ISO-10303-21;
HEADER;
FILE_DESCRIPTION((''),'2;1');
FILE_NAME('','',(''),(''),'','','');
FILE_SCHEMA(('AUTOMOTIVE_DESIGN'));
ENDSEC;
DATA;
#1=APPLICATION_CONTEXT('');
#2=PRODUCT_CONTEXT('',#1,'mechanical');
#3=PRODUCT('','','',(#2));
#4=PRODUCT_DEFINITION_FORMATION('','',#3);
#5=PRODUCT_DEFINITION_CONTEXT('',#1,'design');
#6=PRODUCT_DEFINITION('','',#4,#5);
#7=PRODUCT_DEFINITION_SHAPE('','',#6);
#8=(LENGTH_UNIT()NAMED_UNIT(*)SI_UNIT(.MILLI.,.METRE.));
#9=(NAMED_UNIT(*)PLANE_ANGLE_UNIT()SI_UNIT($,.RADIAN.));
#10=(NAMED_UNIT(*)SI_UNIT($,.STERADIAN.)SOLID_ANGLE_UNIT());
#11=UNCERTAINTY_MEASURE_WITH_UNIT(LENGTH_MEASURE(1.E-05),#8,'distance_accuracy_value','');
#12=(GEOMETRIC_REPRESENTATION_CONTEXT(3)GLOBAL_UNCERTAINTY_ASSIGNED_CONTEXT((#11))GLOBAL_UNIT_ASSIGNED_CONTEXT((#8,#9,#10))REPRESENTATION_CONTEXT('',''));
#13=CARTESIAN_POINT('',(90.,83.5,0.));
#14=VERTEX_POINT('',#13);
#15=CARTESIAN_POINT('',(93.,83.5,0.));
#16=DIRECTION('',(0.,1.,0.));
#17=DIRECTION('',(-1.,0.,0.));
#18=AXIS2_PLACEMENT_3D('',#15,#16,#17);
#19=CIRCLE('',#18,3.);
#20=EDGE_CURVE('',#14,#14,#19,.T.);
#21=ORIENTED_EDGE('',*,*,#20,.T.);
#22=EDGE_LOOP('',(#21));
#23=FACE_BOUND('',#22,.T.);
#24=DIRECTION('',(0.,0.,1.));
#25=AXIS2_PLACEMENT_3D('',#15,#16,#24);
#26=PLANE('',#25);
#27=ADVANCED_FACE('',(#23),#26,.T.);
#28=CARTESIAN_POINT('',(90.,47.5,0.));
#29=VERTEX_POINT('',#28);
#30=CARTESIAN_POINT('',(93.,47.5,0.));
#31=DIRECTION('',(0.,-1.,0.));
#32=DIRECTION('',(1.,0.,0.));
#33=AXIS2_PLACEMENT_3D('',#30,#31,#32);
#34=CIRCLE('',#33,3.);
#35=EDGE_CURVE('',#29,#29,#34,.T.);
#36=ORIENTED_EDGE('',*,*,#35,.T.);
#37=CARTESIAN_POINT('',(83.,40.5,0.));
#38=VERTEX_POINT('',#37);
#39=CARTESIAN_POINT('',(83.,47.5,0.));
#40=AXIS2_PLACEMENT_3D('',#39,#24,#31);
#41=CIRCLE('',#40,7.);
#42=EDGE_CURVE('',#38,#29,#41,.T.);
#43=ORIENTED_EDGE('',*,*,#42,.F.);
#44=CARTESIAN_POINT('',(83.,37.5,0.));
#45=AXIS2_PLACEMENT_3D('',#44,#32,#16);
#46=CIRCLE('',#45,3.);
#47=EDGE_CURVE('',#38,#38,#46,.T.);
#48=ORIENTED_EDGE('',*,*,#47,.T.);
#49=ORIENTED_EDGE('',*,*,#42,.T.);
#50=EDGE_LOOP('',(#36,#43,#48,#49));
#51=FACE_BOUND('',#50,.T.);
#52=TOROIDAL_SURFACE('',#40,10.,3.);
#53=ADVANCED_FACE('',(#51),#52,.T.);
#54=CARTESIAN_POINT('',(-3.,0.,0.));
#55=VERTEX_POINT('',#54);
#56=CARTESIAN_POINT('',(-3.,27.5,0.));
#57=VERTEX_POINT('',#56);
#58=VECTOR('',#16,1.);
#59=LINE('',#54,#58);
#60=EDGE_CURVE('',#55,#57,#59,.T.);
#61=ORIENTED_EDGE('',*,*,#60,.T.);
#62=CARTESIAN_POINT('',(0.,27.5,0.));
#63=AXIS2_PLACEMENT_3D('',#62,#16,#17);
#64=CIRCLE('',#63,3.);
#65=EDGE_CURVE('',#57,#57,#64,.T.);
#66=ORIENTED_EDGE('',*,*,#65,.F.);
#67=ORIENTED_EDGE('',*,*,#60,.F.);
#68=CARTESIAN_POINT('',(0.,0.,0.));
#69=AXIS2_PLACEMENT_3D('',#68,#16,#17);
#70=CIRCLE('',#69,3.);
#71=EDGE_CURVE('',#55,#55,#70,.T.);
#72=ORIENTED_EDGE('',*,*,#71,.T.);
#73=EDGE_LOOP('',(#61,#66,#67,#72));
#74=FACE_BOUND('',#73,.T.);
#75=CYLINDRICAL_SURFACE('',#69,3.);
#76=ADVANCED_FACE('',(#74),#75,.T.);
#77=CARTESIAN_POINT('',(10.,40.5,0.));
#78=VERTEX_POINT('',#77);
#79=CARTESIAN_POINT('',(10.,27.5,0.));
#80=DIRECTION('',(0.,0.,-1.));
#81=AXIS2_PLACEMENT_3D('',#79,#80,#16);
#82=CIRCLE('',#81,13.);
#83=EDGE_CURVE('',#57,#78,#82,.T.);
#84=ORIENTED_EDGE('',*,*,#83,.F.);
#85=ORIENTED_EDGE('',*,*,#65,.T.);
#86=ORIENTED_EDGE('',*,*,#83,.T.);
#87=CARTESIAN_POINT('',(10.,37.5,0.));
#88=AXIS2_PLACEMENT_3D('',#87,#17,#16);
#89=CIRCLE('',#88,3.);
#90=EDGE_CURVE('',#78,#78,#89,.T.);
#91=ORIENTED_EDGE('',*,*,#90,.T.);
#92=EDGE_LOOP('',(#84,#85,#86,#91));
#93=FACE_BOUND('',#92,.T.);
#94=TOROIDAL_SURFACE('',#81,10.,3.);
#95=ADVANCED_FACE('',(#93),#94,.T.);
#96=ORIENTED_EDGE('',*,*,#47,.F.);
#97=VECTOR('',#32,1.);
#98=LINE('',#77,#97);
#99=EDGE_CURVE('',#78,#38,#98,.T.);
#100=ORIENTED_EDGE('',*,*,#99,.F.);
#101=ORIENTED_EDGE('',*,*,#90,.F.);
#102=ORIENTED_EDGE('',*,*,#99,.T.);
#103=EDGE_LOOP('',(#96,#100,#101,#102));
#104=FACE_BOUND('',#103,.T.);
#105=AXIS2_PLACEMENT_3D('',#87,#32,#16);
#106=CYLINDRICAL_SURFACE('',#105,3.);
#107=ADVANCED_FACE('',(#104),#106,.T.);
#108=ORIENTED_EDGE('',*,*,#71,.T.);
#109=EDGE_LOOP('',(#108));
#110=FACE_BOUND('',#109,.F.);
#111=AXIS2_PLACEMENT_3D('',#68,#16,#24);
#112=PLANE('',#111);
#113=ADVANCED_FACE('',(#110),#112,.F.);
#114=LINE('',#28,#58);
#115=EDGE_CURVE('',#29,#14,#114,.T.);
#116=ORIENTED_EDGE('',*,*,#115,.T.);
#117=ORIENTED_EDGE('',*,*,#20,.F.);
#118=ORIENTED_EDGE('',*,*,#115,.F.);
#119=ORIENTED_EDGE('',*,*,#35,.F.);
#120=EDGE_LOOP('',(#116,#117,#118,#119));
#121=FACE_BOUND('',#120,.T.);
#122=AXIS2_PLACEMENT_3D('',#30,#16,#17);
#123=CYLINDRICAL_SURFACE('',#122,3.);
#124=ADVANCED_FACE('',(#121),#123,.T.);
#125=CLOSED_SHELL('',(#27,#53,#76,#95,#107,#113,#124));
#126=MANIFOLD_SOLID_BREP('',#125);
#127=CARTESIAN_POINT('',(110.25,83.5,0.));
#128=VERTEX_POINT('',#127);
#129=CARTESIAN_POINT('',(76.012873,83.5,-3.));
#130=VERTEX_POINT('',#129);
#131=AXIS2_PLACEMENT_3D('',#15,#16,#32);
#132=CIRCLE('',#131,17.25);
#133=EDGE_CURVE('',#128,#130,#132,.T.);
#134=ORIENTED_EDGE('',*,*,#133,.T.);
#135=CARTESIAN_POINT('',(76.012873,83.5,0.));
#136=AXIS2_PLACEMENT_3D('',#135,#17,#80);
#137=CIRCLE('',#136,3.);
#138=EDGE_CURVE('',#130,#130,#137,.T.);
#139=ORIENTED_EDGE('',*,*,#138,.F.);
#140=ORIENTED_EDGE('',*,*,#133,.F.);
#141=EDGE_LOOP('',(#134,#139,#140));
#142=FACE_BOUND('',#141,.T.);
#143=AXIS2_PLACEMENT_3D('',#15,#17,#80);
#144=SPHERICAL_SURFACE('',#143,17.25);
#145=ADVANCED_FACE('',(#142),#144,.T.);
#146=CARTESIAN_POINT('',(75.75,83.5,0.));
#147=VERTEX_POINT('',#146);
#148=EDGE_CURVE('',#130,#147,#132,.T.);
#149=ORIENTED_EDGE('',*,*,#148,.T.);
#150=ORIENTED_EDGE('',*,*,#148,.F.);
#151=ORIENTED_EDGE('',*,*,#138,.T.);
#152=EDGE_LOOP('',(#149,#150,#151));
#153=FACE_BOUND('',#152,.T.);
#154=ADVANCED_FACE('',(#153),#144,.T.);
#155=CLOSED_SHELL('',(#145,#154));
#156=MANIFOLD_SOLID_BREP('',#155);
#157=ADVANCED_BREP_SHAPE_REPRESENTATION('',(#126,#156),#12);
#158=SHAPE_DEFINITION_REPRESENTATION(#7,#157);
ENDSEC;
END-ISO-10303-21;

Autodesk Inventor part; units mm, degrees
ref_plane "YZ Plane" through (0, 0, 0) normal (1, 0, 0) x (0, 1, 0)
ref_plane "XZ Plane" through (0, 0, 0) normal (0, 1, 0) x (-1, 0, 0)
ref_plane "XY Plane" through (0, 0, 0) normal (0, 0, 1) x (1, 0, 0)
sketch "Esquisse1" plane through (0, 0, 0) normal (0, 0, 1) x (1, 0, 0)
  line L0 (0, 0) -> (0, 27.5)
  line L1 (10, 37.5) -> (83, 37.5)
  line L2 (93, 47.5) -> (93, 83.5)
  arc A0 (10, 37.5) -> (0, 27.5) centre (10, 27.5) ccw
  arc A1 (83, 37.5) -> (93, 47.5) centre (83, 47.5) ccw
  dimension "d0" = 93
  dimension "d1" = 37.5
  dimension "d2" = 46
  dimension "d3" = 10
sketch "Esquisse2" plane through (0, 0, 0) normal (0, 1, 0) x (-1, 0, 0)
  circle A0 centre (0, 0) radius 3
  dimension "d4" = 6
sweep "Balayage1" add profiles "Esquisse2" path "Esquisse1"
sketch "Esquisse3" plane through (93, 83.5, 0) normal (0, 1, 0) x (1, 0, 0)
  arc A0 (17.25, 0) -> (-17.25, 0) centre (0, 0) ccw
  circle A1 centre (0, 0) radius 3 construction
  line L0 (17.25, 0) -> (-17.25, 0)
  line L1 (-83, 3) -> (-10, 3) projected
  point P0 (-93, 0)
  dimension "d7" = 34.5
revolve "Révolution1" add sketch "Esquisse3" angle 360 about axis through (110.25, 83.5, 0) along (-1, 0, 0) separate body
equation "\"nombredor\" = 1.61803"
equation "\"pi\" = 3.141593"
properties part number "Poigner"
